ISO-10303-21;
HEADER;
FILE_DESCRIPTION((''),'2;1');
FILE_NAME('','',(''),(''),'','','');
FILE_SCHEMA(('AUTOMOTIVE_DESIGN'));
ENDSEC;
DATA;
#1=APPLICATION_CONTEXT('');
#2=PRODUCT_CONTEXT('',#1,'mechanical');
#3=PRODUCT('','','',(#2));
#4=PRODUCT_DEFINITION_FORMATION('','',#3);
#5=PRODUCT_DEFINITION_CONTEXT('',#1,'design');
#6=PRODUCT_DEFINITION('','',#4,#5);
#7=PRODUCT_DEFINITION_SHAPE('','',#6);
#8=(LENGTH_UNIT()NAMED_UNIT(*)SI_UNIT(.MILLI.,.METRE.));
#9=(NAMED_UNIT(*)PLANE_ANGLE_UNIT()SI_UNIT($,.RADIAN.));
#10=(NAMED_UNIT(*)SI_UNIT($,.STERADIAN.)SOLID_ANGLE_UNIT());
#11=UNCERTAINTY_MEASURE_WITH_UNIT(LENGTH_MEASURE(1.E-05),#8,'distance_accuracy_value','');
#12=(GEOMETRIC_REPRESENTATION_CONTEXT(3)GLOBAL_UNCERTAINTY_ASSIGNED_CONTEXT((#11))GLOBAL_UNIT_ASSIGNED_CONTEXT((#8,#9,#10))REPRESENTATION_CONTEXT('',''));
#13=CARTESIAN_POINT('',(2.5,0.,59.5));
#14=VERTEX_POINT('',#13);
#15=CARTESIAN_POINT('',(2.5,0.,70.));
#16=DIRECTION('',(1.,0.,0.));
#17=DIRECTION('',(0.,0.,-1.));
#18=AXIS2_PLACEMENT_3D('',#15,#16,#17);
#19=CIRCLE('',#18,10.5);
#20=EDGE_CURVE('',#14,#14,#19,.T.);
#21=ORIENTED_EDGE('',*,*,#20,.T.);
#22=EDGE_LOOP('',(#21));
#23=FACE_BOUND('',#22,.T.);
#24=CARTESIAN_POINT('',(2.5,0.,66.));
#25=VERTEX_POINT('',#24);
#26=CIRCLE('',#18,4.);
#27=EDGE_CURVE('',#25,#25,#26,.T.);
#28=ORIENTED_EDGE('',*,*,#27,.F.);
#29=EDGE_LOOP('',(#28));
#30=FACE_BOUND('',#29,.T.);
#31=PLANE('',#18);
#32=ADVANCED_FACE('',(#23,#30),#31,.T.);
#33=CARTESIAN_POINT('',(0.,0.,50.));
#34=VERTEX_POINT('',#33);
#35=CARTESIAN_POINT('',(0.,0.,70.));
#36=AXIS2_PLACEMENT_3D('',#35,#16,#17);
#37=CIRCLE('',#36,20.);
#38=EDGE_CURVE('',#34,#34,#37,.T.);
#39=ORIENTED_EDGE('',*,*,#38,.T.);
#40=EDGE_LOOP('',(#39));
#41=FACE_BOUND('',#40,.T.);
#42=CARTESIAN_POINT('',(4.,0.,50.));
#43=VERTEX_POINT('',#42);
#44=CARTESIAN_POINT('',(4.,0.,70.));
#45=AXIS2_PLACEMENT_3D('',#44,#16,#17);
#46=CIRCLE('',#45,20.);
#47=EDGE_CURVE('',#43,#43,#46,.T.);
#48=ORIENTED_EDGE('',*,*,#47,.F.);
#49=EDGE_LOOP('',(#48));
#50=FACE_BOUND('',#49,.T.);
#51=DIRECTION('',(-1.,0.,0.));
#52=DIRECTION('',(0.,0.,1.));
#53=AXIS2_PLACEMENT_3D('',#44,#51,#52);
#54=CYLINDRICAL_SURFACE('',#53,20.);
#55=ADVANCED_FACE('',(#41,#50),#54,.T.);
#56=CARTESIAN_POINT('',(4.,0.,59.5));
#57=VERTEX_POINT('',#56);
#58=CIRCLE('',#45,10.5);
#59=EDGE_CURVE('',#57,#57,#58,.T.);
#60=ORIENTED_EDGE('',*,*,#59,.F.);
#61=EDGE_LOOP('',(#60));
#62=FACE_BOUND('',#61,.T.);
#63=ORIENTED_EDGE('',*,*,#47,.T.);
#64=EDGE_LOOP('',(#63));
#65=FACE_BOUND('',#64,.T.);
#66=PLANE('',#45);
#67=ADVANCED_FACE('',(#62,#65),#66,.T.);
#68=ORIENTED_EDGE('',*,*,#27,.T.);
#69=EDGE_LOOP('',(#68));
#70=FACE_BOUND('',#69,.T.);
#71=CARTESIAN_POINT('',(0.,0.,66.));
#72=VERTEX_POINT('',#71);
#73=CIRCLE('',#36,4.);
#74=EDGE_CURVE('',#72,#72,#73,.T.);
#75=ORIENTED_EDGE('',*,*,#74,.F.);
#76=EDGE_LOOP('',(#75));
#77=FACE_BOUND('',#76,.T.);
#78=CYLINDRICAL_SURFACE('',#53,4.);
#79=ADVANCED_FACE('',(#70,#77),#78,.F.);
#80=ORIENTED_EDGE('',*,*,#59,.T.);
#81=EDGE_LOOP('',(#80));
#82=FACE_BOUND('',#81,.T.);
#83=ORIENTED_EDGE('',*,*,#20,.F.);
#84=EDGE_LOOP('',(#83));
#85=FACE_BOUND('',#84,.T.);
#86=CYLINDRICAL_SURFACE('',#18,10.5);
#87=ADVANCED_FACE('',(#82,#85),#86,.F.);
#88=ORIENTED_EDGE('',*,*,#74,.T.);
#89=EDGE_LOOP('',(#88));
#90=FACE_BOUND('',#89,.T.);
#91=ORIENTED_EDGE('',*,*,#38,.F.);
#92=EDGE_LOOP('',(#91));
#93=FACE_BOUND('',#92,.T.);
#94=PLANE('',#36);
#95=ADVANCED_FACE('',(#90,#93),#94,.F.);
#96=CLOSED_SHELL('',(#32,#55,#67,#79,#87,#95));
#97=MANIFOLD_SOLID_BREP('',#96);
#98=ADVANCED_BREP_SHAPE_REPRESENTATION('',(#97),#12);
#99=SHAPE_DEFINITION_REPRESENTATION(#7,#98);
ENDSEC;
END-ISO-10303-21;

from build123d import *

# Parameters (mm, degrees)
CROQUIS1_R              = 20
CROQUIS1_R_2            = 4
SALIENTE_EXTRUIR1_DEPTH = 4
CROQUIS2_R              = 10.5
CORTAR_EXTRUIR1_DEPTH   = 1.5


with BuildPart() as part:
    # Croquis1 → Saliente-Extruir1 (new body)
    with BuildSketch(Plane(origin=(0, 0, 0), x_dir=(0, 0, -1), z_dir=(1, 0, 0))):
        with Locations((-70, 0)):
            Circle(CROQUIS1_R)
        with Locations((-70, 0)):
            Circle(CROQUIS1_R_2, mode=Mode.SUBTRACT)
    extrude(amount=SALIENTE_EXTRUIR1_DEPTH)

    # Croquis2 → Cortar-Extruir1 (cut)
    with BuildSketch(Plane(origin=(4, 0, 0), x_dir=(0, 0, -1), z_dir=(1, 0, 0))):
        with Locations((-70, 0)):
            Circle(CROQUIS2_R)
    extrude(amount=-CORTAR_EXTRUIR1_DEPTH, mode=Mode.SUBTRACT)


solid = part.part
